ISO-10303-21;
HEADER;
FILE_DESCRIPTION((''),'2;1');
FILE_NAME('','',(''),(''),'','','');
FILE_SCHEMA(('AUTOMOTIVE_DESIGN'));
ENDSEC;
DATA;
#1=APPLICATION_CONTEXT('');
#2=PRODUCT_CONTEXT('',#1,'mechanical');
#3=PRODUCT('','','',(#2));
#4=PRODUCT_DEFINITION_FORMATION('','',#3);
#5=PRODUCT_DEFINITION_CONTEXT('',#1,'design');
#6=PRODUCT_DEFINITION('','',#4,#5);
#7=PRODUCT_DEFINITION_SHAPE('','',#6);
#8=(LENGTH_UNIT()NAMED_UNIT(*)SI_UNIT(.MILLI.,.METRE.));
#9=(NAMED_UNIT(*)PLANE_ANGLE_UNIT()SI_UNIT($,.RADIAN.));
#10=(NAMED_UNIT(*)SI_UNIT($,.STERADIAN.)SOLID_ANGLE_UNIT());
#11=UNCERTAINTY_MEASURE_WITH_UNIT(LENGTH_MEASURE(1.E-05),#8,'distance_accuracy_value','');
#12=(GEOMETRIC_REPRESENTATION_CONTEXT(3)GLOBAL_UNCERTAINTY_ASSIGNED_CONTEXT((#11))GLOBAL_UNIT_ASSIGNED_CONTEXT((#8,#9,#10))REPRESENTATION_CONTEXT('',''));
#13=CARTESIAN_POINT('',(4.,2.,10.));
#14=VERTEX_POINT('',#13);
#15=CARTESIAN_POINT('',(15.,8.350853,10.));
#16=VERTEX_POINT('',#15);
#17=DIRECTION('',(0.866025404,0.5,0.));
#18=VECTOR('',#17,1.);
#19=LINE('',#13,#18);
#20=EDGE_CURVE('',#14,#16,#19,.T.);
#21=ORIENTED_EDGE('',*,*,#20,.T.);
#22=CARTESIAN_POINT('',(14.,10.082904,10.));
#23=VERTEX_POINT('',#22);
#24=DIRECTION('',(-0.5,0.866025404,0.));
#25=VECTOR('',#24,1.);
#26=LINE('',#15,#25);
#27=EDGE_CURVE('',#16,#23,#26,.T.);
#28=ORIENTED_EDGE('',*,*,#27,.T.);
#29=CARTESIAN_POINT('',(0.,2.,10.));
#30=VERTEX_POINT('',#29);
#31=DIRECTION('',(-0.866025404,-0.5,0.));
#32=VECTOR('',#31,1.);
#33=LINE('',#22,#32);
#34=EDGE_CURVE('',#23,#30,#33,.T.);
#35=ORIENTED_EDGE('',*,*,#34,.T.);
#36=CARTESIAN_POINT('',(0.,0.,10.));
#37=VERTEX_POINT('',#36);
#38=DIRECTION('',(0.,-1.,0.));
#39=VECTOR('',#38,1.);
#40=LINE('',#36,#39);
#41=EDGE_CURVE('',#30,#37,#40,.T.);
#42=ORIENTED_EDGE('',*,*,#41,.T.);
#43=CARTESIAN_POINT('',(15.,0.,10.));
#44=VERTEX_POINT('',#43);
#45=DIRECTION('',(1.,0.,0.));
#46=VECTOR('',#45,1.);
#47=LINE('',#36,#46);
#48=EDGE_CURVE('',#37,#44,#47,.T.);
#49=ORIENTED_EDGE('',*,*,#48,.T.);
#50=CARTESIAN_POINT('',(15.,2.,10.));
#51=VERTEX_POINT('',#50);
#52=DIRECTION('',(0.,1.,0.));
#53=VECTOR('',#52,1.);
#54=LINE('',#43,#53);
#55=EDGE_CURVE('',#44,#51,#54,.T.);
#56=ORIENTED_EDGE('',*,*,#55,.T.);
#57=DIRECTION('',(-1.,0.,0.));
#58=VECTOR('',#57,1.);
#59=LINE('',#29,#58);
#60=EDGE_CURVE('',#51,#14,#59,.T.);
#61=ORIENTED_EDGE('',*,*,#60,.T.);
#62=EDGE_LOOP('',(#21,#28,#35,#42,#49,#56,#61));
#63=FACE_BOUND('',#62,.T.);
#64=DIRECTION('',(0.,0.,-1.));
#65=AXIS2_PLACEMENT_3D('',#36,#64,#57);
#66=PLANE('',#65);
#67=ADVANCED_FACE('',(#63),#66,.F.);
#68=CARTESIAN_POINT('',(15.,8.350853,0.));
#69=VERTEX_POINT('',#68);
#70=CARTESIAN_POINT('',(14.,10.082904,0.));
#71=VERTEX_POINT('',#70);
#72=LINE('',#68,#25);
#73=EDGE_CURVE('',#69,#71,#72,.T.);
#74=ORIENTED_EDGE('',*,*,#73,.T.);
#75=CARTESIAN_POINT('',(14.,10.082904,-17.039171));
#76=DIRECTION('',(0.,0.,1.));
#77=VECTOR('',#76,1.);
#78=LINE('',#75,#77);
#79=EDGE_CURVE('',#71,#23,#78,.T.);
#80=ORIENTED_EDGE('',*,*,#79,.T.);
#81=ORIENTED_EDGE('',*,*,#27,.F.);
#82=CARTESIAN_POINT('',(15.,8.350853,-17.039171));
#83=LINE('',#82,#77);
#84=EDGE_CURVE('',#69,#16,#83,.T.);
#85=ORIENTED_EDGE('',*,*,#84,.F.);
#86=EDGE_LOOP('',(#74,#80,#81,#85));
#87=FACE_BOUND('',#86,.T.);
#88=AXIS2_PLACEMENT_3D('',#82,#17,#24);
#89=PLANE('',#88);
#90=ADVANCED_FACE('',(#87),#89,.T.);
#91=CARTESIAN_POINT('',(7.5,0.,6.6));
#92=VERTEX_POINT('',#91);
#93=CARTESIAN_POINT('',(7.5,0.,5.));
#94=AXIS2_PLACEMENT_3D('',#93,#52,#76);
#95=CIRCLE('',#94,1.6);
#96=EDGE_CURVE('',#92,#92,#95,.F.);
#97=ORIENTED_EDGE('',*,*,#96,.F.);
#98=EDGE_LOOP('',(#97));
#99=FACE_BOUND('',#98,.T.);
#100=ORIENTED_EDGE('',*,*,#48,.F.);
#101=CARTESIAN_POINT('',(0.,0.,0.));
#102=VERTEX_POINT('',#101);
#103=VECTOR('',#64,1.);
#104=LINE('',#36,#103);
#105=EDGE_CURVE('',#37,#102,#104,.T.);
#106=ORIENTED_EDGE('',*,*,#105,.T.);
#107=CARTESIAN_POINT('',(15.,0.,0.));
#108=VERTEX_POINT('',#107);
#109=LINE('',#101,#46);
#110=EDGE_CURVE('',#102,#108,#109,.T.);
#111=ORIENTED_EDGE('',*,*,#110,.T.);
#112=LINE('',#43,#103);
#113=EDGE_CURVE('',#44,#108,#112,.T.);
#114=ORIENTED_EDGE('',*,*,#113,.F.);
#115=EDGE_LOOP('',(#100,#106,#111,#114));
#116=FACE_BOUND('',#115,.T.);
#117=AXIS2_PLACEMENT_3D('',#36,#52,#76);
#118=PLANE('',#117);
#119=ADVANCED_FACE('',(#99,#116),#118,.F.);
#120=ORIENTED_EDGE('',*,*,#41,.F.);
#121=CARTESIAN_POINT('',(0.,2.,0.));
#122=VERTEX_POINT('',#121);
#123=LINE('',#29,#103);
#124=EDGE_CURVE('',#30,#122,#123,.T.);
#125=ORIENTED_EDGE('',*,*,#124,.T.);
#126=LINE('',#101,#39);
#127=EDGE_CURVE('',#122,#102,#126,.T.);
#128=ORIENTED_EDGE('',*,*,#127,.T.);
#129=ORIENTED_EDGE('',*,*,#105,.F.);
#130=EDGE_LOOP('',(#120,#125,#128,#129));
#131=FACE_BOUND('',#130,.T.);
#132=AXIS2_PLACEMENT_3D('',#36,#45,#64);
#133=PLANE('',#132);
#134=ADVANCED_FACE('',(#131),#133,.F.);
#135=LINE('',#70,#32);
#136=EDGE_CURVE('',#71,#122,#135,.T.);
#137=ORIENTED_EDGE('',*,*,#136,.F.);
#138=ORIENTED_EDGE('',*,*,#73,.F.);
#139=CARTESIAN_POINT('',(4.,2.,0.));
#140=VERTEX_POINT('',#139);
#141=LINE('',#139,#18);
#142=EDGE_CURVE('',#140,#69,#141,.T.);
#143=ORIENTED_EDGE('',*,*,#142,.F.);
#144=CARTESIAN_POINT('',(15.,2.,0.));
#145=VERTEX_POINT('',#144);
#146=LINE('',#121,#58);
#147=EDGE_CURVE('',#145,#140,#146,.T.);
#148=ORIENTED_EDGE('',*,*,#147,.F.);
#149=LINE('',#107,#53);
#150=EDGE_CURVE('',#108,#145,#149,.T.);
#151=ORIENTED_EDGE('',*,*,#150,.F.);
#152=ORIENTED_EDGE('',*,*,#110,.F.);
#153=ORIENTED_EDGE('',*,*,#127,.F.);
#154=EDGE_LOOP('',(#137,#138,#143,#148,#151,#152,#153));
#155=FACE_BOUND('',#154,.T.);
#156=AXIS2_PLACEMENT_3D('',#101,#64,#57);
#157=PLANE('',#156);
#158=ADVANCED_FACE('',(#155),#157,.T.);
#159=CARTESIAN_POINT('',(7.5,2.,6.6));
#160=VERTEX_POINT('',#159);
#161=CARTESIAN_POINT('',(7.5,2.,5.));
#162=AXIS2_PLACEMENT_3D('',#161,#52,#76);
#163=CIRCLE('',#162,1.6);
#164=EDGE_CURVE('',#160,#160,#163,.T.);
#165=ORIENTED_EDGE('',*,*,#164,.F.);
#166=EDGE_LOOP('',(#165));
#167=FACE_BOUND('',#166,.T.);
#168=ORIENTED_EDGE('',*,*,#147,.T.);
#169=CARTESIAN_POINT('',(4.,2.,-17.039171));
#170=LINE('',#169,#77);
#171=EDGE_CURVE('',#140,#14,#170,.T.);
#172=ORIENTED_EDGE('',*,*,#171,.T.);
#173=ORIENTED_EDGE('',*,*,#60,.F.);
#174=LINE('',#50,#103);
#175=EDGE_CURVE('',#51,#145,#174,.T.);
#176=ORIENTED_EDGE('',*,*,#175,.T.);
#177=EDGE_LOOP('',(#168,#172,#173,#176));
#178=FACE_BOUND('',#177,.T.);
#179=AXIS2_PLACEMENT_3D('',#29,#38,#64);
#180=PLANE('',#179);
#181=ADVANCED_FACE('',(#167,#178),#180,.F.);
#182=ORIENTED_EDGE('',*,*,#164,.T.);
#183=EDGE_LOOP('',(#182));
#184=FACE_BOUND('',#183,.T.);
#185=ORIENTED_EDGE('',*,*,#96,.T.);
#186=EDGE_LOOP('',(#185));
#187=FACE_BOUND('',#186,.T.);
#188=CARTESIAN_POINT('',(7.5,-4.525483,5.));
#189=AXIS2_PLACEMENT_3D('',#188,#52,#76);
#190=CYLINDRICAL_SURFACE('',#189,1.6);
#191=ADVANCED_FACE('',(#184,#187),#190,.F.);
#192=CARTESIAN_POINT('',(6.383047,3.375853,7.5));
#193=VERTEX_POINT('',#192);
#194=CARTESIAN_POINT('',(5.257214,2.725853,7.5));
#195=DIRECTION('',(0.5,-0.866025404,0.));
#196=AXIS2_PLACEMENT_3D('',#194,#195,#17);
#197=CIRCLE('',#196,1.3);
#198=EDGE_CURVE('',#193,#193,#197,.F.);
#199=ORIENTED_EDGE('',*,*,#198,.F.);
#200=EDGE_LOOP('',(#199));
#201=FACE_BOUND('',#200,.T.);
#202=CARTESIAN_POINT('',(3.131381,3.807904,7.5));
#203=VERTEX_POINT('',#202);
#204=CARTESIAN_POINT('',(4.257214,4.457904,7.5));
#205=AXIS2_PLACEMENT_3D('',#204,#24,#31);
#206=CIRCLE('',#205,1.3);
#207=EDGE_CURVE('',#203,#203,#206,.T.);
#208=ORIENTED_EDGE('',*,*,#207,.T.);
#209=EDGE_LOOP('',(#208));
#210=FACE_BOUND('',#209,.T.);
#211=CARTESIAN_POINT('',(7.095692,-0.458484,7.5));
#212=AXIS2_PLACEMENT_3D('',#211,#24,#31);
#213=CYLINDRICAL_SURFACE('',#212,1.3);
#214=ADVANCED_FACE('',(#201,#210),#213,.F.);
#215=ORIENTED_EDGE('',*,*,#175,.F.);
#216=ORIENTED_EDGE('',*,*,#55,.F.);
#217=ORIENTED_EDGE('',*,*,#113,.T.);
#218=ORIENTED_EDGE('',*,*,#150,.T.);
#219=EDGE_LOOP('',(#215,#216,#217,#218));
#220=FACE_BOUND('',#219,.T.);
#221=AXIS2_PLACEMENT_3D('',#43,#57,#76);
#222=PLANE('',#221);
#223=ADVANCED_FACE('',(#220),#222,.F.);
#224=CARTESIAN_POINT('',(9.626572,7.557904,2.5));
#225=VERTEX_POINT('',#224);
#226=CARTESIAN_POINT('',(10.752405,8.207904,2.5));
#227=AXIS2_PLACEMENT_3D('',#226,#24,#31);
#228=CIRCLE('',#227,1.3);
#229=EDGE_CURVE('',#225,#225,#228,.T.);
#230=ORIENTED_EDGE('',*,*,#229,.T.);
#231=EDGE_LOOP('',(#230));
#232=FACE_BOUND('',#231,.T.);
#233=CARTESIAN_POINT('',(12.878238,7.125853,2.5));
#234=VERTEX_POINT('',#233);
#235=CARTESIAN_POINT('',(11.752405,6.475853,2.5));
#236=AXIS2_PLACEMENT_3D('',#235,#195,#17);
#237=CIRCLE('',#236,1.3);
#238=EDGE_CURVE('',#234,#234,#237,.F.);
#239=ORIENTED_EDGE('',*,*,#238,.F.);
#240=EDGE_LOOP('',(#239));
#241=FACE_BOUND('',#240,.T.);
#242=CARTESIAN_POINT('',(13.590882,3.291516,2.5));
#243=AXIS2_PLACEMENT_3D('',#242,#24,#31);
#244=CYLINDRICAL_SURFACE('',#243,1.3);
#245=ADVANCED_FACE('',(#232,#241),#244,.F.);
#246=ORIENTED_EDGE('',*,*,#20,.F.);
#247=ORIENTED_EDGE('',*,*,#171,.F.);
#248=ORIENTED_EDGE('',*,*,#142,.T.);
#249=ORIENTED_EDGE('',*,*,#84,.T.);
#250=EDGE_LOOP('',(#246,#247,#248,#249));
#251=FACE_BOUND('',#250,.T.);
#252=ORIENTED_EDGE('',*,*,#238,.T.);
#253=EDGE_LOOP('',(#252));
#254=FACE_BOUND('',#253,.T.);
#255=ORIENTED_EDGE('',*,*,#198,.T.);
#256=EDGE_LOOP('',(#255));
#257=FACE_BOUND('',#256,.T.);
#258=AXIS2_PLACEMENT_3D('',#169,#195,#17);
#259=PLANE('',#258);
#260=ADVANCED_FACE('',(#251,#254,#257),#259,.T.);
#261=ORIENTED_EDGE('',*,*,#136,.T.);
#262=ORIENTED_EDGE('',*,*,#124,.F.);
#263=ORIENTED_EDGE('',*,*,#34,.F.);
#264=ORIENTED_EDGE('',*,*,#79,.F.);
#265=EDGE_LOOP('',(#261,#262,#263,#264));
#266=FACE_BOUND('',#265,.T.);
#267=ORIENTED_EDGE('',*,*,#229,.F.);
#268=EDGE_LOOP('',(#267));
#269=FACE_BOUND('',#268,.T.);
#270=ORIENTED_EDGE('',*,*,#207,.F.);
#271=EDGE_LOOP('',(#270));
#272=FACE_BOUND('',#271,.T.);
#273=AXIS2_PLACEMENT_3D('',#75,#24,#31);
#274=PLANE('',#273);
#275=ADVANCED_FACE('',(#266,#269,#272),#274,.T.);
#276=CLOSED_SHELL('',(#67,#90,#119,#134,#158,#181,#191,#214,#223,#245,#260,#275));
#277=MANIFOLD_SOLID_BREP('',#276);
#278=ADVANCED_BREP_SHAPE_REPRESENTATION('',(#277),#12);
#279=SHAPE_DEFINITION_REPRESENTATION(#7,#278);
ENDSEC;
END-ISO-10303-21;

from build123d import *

# Parameters (mm, degrees)
SKETCH2_W           = 15
SKETCH2_H           = 2
BOSS_EXTRUDE1_DEPTH = 10
BOSS_EXTRUDE2_DEPTH = 10
SKETCH4_R           = 1.3
CUT_EXTRUDE1_DEPTH  = 2
SKETCH5_R           = 1.6
CUT_EXTRUDE2_DEPTH  = 2


with BuildPart() as part:
    # Sketch2 → Boss-Extrude1 (new body)
    with BuildSketch(Plane.XY):
        with Locations((7.5, 1)):
            Rectangle(SKETCH2_W, SKETCH2_H)
    extrude(amount=BOSS_EXTRUDE1_DEPTH)

    # Sketch3 → Boss-Extrude2 (add)
    with BuildSketch(Plane.XY.offset(10)):
        Polygon((0, 2), (4, 2), (15, 8.350852961), (14, 10.082903769), align=None)
    extrude(amount=-BOSS_EXTRUDE2_DEPTH)

    # Sketch4 → Cut-Extrude1 (cut)
    with BuildSketch(Plane(origin=(-0.866025404, 1.5, 0), x_dir=(0.8660254037844378, 0.5000000000000016, 0), z_dir=(-0.5000000000000016, 0.8660254037844378, 0))):
        with Locations(Location((5.915807537, -7.5, 0), (0, 0, 180))):
            Circle(SKETCH4_R)
        with Locations(Location((13.415807537, -2.5, 0), (0, 0, 180))):
            Circle(SKETCH4_R)
    extrude(amount=-CUT_EXTRUDE1_DEPTH, mode=Mode.SUBTRACT)

    # Sketch5 → Cut-Extrude2 (cut)
    with BuildSketch(Plane(origin=(0, 2, 0), x_dir=(1, 0, 0), z_dir=(0, 1, 0))):
        with Locations(Location((7.5, -5, 0), (0, 0, 270))):
            Circle(SKETCH5_R)
    extrude(amount=-CUT_EXTRUDE2_DEPTH, mode=Mode.SUBTRACT)


solid = part.part
